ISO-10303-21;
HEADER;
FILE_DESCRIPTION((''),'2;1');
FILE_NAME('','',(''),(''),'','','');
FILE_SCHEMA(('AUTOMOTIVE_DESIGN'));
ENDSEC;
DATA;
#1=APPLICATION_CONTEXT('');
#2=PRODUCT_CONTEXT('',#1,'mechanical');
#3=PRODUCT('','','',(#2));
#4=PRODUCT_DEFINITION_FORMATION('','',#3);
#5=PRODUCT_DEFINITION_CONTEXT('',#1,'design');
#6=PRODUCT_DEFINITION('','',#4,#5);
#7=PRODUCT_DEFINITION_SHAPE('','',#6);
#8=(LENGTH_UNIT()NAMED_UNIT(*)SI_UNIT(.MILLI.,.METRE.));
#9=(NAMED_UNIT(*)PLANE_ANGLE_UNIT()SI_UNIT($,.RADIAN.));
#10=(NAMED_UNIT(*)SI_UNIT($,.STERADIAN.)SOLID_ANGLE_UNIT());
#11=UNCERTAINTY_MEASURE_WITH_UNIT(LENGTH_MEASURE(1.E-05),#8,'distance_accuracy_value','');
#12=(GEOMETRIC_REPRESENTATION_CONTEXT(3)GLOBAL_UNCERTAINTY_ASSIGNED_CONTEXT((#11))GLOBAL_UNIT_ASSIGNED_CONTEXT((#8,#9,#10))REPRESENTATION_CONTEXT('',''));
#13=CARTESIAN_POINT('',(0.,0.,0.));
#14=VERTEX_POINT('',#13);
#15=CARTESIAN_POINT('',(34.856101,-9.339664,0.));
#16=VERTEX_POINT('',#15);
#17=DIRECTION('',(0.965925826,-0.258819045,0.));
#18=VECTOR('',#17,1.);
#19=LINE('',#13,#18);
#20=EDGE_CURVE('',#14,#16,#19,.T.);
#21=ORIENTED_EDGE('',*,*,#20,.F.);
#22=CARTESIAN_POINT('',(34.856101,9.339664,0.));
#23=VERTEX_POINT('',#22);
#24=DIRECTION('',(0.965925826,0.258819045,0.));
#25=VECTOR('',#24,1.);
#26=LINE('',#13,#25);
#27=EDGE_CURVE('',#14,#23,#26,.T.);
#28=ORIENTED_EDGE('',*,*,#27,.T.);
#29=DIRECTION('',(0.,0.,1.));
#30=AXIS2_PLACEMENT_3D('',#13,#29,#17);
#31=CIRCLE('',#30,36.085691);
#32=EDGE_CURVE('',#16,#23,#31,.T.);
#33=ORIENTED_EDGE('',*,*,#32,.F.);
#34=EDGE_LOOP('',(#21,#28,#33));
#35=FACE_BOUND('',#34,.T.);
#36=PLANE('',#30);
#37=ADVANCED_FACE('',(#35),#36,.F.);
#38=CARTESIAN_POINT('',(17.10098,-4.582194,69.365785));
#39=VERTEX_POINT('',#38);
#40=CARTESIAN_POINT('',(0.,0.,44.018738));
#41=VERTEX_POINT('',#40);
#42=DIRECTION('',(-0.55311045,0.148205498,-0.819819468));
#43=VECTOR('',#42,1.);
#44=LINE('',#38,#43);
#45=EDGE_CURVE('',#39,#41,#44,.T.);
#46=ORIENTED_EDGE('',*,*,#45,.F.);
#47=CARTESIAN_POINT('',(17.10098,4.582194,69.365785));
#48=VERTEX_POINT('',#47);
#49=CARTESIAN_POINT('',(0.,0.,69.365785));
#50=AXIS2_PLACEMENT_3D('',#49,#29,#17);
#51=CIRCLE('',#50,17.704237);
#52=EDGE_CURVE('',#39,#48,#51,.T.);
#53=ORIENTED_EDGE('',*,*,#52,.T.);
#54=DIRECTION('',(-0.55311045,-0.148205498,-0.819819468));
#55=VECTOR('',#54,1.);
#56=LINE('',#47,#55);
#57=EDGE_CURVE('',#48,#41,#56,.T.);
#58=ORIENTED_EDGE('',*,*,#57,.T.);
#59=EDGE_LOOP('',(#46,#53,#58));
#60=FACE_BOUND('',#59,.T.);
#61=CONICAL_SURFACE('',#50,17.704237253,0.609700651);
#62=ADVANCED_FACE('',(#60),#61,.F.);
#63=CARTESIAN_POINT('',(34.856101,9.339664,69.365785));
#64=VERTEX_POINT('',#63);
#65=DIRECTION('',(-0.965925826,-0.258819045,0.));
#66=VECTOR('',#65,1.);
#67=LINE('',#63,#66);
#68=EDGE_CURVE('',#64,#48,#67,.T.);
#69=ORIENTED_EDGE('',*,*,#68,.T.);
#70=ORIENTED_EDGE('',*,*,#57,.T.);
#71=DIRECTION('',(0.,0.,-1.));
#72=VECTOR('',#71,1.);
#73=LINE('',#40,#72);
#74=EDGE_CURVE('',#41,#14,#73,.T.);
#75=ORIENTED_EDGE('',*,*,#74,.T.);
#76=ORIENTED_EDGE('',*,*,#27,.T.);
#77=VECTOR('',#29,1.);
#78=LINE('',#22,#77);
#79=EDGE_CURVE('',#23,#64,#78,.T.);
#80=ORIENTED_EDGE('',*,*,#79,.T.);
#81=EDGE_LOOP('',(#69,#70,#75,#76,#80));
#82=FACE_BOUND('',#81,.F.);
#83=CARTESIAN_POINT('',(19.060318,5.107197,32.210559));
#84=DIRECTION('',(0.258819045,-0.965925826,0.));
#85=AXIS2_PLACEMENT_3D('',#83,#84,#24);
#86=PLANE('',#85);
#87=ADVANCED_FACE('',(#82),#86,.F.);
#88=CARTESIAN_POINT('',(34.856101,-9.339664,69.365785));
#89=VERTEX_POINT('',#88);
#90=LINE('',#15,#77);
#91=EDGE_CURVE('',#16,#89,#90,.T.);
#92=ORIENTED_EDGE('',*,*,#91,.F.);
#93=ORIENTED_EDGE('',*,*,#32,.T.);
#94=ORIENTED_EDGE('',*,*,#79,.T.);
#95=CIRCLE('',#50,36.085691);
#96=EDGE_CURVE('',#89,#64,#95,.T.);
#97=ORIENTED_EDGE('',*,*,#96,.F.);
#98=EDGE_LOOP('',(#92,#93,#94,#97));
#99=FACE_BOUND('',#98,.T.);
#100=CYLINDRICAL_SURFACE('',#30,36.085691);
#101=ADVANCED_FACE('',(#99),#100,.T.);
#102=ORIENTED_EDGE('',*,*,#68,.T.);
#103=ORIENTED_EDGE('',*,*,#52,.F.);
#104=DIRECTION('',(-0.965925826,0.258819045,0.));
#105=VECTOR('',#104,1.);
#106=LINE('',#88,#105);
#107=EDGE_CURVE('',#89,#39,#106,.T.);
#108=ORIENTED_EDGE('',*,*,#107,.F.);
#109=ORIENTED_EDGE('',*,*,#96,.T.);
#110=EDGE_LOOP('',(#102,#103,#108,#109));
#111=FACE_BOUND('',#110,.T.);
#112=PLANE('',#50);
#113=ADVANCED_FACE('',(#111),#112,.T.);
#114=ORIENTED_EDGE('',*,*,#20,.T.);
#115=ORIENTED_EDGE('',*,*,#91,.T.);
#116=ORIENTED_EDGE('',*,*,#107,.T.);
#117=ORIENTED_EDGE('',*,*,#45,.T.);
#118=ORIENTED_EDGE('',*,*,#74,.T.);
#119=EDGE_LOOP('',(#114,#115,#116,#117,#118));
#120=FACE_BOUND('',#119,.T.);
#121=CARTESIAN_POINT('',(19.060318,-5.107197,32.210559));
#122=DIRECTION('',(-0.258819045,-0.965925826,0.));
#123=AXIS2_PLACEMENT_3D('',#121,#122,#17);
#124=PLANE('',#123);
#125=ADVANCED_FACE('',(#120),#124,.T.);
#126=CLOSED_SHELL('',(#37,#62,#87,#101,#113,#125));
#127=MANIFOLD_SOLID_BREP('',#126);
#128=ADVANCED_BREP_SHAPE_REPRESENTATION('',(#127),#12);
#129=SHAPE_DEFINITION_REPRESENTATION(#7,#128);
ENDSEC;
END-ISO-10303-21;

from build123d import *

# Parameters (mm, degrees)
F1_ANGLE_BACK = 15
F1_ANGLE      = 30


with BuildPart() as f1:
    # F0 (on Front) → F1 (revolve)
    with BuildSketch(Plane.XZ, mode=Mode.PRIVATE) as f1_sk:
        Polygon((0, 44.0187379718), (0, 0), (36.085691303, 0), (36.085691303, 69.3657845259), (17.7042372525, 69.3657845259), align=None)
    revolve(f1_sk.sketch.rotate(Axis((0, 0, 22.0093689859), (0, 0, 1)), -F1_ANGLE_BACK), axis=Axis((0, 0, 22.0093689859), (0, 0, 1)), revolution_arc=F1_ANGLE)


solid = f1.part
